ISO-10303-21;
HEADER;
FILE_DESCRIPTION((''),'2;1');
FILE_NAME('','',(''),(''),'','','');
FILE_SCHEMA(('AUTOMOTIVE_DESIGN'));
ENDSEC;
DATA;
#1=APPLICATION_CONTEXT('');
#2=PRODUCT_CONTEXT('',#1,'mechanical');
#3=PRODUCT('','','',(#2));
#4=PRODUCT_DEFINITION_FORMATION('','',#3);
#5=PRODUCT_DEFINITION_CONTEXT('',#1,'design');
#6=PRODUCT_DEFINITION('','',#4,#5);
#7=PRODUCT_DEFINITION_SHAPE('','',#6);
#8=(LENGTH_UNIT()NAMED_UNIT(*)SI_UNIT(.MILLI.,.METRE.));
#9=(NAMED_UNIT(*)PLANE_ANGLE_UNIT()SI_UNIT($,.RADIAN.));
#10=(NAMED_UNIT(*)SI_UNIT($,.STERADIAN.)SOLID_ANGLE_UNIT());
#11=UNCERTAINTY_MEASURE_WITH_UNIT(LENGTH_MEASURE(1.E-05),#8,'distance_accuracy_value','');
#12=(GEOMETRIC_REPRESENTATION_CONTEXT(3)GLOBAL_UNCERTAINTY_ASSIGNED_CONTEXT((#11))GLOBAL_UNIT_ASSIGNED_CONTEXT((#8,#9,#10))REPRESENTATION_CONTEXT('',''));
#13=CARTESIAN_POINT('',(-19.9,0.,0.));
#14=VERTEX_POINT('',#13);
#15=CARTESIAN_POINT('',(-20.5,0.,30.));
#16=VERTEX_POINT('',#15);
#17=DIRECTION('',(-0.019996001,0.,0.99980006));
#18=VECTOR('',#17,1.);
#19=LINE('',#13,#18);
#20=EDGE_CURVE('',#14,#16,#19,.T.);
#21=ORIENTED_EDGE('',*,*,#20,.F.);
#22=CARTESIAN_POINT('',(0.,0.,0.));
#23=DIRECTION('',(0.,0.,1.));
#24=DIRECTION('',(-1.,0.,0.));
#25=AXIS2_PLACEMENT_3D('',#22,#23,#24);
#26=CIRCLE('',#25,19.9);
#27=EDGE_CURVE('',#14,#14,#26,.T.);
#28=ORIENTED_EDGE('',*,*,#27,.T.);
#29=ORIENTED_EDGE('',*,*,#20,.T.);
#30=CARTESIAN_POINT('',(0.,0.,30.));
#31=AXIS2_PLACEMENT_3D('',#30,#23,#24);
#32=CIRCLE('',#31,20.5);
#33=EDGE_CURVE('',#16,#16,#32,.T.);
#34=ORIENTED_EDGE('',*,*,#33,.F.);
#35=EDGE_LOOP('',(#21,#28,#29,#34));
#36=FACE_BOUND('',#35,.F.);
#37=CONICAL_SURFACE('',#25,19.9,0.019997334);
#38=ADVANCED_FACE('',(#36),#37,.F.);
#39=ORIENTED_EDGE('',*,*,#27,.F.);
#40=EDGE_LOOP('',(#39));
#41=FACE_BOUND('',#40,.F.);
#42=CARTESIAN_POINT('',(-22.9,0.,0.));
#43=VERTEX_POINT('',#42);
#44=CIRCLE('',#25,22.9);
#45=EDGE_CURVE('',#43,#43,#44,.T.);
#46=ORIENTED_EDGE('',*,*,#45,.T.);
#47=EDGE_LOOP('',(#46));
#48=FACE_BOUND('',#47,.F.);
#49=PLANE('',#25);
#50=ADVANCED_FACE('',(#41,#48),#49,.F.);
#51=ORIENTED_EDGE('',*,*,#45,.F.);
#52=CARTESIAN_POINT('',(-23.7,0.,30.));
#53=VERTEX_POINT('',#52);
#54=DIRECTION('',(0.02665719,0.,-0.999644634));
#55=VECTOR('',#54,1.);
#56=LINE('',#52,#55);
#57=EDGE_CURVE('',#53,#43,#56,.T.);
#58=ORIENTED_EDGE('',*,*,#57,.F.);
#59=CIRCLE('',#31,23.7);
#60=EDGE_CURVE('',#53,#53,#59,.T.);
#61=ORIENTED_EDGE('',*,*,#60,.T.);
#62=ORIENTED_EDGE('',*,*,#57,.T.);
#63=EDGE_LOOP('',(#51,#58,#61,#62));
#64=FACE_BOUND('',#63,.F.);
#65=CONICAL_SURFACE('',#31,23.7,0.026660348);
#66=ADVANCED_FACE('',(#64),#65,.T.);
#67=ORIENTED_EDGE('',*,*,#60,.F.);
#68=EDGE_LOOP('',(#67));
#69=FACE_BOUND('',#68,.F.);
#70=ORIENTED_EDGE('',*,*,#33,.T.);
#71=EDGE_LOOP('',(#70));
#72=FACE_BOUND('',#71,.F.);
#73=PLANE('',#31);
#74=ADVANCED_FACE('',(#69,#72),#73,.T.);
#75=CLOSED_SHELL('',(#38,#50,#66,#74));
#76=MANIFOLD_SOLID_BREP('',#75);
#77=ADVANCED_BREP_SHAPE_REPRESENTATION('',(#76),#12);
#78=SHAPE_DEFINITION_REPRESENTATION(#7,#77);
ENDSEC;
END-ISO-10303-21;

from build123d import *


with BuildPart() as part:
    # Sketch → Revolution (revolve)
    with BuildSketch(Plane.XZ):
        Polygon((-23.7, 30), (-22.9, 0), (-22.9, 0), (-19.9, 0), (-20.5, 30), align=None)
    revolve(axis=Axis((0, 0, 0), (0, 0, 1)))


solid = part.part
